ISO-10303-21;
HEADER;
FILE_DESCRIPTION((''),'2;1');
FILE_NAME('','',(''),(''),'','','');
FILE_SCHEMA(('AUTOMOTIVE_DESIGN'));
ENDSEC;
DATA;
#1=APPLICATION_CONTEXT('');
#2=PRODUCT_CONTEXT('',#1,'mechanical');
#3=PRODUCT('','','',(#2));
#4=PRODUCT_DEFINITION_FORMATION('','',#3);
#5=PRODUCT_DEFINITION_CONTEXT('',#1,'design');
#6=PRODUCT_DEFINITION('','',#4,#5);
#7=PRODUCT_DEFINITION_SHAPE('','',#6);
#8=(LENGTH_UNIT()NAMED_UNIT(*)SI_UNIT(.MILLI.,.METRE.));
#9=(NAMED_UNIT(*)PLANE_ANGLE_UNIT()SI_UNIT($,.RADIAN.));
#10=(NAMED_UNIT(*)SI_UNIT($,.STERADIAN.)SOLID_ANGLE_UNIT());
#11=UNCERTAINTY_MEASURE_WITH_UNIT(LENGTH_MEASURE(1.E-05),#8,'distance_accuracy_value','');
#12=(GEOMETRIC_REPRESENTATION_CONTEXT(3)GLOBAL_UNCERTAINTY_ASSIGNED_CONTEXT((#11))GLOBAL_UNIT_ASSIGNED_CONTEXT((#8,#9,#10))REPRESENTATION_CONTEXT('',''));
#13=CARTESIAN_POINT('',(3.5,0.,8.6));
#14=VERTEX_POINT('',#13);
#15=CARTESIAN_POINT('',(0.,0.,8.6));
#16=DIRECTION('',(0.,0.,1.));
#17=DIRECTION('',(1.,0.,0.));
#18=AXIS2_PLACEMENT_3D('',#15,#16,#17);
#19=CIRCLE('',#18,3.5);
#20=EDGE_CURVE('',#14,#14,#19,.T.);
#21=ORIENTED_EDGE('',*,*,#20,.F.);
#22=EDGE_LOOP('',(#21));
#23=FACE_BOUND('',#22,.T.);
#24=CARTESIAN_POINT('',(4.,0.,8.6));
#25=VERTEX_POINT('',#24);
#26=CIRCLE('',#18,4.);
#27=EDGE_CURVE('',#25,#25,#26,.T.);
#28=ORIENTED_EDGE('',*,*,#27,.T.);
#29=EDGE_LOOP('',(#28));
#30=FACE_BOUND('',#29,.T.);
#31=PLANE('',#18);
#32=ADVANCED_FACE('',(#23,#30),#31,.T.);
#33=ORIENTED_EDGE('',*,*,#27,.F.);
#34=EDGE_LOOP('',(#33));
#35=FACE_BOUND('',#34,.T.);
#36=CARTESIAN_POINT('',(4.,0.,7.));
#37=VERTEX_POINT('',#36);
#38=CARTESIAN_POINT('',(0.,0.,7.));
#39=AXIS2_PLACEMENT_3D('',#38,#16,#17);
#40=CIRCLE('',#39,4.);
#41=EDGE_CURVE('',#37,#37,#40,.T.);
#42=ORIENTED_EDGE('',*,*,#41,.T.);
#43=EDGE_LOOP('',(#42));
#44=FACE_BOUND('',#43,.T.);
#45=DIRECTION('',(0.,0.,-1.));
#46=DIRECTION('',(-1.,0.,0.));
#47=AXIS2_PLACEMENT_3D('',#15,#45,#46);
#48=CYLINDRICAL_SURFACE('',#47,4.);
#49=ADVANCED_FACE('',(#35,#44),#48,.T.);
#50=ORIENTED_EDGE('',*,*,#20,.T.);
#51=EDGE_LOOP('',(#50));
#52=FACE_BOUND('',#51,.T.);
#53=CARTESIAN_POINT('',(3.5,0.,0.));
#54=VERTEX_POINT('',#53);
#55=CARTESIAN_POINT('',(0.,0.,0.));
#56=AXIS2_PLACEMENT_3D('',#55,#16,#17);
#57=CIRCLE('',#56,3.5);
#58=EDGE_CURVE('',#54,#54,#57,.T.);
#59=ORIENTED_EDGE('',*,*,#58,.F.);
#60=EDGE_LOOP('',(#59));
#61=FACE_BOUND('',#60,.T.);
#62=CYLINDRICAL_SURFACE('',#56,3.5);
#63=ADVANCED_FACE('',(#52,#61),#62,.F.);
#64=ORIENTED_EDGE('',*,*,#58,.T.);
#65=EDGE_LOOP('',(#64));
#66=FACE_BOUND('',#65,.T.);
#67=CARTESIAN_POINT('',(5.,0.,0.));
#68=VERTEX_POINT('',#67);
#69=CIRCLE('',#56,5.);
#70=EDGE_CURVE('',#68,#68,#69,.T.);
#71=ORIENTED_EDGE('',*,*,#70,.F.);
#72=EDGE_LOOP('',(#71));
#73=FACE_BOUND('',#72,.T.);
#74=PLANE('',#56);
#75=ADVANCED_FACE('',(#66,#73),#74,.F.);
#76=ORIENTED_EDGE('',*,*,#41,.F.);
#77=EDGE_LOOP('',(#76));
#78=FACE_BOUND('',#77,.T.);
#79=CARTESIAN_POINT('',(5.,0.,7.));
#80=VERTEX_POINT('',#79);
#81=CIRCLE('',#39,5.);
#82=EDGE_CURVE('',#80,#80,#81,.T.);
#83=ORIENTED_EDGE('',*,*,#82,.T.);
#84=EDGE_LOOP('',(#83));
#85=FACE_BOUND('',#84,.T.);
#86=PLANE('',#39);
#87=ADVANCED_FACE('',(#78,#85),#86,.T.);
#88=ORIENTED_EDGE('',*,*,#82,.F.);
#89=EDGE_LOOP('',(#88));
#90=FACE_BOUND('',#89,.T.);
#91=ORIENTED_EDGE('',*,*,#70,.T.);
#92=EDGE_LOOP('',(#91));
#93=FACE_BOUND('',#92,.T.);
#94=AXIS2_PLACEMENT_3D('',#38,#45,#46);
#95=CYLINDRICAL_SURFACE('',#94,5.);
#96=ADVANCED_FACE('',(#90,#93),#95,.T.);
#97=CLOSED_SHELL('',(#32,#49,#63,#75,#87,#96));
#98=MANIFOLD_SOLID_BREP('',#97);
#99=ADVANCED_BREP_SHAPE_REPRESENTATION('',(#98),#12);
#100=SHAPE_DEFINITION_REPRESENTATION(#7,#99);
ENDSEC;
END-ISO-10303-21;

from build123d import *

# Parameters (mm, degrees)
SKETCH1_R           = 5
BOSS_EXTRUDE1_DEPTH = 7
SKETCH2_R           = 3.5
CUT_EXTRUDE1_DEPTH  = 10.949874371
BOSS_EXTRUDE4_START = 1.6
SKETCH3_R           = 4
SKETCH3_R_2         = 3.5
BOSS_EXTRUDE4_DEPTH = 1.6


with BuildPart() as part:
    # Sketch1 → Boss-Extrude1 (new body)
    with BuildSketch(Plane.XY):
        Circle(SKETCH1_R)
    extrude(amount=BOSS_EXTRUDE1_DEPTH)

    # Sketch2 → Cut-Extrude1 (cut, through all)
    with BuildSketch(Plane.XY.offset(7)):
        Circle(SKETCH2_R)
    extrude(amount=-CUT_EXTRUDE1_DEPTH, mode=Mode.SUBTRACT)

    # Sketch3 → Boss-Extrude4 (add)
    with BuildSketch(Plane.XY.offset(7).offset(BOSS_EXTRUDE4_START)):
        Circle(SKETCH3_R)
        Circle(SKETCH3_R_2, mode=Mode.SUBTRACT)
    extrude(amount=-BOSS_EXTRUDE4_DEPTH)


solid = part.part
